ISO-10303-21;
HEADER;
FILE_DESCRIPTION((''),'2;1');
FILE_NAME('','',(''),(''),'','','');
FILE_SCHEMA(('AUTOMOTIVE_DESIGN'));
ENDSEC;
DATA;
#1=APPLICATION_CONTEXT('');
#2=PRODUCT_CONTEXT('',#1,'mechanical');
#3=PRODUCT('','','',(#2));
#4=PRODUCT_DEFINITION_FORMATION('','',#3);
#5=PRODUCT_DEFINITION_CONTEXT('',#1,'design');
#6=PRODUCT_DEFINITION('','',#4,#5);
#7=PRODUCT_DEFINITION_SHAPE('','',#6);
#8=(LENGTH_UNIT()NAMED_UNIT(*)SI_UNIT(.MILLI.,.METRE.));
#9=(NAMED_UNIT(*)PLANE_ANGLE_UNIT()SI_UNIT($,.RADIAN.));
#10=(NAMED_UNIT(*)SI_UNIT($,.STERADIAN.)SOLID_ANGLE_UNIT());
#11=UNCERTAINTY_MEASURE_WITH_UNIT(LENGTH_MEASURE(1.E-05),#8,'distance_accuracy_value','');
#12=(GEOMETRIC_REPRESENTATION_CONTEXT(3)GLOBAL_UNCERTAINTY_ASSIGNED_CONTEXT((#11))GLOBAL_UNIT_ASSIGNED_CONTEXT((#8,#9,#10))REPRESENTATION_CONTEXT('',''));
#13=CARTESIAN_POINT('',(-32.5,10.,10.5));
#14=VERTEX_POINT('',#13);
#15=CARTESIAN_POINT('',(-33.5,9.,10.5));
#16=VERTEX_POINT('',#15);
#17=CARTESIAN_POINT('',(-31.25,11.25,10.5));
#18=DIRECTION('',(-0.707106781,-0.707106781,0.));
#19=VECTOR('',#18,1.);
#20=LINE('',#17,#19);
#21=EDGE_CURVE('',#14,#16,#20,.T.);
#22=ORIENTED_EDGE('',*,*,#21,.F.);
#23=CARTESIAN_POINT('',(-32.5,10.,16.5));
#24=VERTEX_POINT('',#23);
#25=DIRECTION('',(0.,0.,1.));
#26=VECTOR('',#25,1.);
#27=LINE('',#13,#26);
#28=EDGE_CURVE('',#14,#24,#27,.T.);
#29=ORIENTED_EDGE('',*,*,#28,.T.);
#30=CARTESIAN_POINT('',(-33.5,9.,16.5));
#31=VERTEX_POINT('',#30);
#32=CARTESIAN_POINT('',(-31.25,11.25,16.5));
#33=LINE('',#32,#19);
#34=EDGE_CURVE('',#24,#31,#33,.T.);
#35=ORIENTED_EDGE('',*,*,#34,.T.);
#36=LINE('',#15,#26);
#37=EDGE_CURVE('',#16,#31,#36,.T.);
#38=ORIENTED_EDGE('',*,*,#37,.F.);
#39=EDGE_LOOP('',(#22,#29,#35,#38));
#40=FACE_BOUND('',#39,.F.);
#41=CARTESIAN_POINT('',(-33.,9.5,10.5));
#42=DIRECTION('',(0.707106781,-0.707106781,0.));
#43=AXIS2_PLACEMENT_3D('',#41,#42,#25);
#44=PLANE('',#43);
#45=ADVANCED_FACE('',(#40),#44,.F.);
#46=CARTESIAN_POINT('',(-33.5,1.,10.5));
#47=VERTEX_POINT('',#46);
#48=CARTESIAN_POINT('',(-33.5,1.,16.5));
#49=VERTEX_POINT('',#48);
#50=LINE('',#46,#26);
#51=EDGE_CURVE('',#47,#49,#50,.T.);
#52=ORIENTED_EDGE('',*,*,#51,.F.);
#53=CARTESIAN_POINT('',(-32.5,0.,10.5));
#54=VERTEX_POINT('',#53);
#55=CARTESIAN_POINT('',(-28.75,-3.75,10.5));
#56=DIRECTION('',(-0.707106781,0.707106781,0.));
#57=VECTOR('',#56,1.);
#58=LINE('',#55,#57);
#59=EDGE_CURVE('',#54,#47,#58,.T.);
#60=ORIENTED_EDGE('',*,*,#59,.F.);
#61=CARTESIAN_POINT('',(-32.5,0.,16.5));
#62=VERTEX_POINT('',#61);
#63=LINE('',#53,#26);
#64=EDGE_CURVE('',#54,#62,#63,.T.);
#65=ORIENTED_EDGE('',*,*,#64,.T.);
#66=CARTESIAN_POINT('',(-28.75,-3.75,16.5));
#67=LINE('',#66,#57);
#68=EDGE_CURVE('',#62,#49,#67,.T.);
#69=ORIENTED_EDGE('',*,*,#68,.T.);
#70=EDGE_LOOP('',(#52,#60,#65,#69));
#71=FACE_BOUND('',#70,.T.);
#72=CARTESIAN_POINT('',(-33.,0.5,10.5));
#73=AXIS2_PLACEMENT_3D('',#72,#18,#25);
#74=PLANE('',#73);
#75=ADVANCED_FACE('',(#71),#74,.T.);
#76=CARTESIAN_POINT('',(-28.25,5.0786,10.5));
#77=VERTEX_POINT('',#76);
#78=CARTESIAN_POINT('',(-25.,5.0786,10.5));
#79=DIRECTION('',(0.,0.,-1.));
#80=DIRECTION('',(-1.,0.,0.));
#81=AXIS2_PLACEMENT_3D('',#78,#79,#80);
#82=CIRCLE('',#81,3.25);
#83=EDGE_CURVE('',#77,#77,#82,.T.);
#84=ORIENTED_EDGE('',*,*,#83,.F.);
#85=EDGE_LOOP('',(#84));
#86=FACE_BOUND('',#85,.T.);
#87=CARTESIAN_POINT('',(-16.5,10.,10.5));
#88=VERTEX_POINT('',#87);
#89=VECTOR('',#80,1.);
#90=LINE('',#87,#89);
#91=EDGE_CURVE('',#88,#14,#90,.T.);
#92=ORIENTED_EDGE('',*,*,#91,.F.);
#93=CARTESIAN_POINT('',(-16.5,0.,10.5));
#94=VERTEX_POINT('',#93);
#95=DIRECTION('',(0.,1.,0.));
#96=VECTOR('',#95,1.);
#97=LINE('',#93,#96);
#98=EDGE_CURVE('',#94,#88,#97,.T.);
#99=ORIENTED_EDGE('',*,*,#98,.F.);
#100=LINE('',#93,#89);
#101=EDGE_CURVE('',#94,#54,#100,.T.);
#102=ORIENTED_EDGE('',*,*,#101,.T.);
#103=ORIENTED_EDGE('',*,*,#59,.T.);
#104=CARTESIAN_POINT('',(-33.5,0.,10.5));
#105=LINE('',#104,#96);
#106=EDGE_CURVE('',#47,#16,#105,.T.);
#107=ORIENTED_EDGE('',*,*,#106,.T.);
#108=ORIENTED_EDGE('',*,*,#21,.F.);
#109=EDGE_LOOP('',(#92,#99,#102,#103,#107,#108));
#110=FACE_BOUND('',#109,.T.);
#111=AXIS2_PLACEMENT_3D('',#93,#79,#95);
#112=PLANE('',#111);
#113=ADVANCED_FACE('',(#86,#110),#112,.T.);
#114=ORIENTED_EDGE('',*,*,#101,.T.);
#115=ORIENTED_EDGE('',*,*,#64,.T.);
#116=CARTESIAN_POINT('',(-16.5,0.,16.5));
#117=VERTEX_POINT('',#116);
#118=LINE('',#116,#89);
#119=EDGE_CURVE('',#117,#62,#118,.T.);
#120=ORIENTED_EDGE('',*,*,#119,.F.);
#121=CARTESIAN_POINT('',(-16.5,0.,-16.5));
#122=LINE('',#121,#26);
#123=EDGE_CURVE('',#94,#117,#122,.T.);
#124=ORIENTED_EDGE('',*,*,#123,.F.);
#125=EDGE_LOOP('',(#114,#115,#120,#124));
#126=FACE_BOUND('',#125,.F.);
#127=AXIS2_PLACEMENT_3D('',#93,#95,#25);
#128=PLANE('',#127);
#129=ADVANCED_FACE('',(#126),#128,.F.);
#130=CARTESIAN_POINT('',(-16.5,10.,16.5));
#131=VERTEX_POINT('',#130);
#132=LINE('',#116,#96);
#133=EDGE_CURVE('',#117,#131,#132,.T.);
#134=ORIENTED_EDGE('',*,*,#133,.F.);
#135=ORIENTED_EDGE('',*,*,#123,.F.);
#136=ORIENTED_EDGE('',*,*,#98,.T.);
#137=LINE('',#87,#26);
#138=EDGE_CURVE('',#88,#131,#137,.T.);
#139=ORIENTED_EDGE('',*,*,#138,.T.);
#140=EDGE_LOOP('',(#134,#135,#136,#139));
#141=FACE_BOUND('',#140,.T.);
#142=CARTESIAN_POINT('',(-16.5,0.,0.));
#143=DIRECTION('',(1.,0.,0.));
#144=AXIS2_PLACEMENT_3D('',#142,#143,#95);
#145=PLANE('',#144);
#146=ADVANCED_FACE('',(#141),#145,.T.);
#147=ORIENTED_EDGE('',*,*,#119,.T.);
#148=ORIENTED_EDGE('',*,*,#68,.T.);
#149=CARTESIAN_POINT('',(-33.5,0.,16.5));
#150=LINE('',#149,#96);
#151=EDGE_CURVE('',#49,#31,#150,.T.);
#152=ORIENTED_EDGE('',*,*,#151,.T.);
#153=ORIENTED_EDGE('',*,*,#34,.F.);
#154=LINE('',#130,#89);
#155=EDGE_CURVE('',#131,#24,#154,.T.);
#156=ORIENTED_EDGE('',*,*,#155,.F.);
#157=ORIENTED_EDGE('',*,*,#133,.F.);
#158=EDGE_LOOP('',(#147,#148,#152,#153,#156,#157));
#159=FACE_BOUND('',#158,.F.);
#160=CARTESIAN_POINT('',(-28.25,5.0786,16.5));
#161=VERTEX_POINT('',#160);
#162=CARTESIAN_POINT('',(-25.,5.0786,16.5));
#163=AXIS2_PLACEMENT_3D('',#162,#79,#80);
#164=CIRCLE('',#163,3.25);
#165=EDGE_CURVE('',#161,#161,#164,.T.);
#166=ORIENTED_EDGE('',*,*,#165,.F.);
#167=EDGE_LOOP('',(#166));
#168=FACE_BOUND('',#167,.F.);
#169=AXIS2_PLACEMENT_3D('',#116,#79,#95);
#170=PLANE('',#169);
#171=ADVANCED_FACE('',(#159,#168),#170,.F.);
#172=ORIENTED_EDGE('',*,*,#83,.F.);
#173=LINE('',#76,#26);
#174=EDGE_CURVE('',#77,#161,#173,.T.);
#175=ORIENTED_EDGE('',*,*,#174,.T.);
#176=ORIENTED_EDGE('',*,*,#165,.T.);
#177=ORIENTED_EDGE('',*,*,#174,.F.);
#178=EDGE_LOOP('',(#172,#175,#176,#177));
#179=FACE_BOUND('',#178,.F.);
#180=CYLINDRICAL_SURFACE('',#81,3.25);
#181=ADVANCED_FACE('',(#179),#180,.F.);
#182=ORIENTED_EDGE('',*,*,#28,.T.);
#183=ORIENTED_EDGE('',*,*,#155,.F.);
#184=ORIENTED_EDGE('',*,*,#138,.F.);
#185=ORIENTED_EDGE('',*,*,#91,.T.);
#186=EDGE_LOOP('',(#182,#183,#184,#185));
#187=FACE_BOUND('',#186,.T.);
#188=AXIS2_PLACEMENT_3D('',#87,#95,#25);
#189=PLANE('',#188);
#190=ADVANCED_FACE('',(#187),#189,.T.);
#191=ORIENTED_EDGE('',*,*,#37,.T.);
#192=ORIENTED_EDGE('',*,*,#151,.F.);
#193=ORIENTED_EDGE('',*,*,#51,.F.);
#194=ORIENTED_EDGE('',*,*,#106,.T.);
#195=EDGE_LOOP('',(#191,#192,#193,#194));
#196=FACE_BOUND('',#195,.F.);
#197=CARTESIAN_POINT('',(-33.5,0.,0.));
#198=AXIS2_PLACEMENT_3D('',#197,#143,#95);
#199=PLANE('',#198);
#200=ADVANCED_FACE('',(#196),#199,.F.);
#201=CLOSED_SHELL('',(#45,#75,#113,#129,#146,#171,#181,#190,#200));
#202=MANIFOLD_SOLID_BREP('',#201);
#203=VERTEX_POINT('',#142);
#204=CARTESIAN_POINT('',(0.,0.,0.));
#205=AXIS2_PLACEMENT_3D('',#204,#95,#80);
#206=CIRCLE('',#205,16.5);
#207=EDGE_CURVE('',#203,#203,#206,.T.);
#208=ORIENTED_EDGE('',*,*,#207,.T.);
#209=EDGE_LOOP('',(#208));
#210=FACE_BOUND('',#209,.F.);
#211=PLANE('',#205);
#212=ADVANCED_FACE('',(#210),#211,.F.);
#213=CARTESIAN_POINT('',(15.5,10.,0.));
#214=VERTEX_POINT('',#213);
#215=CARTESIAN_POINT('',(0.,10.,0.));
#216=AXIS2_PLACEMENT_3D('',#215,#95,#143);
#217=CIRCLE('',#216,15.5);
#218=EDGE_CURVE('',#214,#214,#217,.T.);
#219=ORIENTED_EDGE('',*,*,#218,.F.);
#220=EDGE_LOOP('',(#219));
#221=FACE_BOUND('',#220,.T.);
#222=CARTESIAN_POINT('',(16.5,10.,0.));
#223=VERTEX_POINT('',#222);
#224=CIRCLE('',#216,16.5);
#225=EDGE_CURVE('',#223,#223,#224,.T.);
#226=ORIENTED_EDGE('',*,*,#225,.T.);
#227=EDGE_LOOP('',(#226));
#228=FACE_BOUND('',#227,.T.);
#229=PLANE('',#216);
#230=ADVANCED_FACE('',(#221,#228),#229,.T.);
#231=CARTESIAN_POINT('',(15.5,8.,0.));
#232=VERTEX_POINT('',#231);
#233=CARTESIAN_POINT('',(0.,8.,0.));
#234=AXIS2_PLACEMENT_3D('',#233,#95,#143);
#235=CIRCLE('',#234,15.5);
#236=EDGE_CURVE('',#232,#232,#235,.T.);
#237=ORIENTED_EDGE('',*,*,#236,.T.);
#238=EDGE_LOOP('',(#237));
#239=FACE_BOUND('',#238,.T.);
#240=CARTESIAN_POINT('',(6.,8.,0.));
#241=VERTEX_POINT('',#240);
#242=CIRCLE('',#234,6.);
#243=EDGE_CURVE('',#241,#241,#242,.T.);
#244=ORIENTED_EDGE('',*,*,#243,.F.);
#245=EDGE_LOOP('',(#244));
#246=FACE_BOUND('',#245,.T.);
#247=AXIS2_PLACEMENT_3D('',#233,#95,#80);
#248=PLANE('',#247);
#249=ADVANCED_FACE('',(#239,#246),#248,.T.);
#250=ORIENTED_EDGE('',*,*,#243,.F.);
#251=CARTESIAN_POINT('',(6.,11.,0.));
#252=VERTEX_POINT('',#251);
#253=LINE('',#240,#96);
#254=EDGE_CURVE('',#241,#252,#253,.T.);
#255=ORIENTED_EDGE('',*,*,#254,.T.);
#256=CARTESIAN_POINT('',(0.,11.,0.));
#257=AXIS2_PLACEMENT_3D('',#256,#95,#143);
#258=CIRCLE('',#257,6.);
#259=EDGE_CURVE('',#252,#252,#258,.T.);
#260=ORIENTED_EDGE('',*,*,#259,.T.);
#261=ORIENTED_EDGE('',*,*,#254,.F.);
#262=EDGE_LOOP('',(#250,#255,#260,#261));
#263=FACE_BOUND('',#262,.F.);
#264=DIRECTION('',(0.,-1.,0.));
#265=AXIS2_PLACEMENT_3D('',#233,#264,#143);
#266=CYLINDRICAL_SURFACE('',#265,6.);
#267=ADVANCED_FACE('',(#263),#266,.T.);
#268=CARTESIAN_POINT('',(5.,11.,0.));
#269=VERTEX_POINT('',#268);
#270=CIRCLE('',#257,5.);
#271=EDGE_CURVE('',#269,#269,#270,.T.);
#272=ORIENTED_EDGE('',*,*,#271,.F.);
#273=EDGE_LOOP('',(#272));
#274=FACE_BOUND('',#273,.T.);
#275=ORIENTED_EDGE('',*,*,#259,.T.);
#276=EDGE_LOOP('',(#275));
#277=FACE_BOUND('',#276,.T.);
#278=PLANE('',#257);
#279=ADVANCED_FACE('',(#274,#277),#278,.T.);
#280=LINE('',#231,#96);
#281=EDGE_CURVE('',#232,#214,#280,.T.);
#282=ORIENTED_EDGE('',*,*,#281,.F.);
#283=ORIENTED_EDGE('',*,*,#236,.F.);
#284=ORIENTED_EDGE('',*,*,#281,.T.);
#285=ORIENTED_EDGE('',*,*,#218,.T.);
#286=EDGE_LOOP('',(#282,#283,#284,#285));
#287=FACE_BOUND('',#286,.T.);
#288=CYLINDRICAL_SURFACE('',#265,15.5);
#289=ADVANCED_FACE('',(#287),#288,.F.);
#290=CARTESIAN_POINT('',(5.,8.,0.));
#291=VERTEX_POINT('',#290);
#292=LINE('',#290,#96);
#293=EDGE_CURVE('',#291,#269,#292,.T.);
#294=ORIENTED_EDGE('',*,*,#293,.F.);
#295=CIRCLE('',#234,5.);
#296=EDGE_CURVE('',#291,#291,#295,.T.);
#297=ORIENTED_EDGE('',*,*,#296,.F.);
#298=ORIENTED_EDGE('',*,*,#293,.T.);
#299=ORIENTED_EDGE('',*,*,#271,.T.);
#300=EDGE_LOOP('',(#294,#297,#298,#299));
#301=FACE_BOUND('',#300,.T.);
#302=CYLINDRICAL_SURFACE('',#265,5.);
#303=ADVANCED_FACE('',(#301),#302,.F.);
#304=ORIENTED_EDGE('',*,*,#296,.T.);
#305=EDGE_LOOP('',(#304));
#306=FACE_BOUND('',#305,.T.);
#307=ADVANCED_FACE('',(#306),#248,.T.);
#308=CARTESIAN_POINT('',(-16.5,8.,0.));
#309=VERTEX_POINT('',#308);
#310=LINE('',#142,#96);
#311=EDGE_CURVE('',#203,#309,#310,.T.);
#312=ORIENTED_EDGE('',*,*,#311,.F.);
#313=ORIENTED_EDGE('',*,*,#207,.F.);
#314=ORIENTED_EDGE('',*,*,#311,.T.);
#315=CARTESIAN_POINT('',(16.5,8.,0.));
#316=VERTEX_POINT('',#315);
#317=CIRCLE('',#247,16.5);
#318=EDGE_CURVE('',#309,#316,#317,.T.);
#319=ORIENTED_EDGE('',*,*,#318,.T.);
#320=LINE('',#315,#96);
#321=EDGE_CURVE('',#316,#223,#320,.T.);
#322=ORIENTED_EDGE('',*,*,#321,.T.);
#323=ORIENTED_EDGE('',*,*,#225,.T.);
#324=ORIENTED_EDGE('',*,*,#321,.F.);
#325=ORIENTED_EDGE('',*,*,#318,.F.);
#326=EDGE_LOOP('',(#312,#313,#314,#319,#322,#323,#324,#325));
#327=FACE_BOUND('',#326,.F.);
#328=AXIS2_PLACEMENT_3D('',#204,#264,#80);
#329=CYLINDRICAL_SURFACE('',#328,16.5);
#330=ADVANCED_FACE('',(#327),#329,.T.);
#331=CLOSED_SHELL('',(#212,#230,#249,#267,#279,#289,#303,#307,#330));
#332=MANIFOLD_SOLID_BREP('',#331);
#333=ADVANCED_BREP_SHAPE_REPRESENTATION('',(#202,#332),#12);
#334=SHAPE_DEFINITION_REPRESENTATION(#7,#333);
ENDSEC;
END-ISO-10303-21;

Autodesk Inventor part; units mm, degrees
ref_plane "XZ Plane" through (0, 0, 0) normal (0, 1, 0) x (-1, 0, 0)
ref_plane "XY Plane" through (0, 0, 0) normal (0, 0, 1) x (1, 0, 0)
sketch "Sketch1" plane through (0, 0, 0) normal (0, 1, 0) x (-1, 0, 0)
  circle A0 centre (0, 0) radius 16.5
  dimension "d0" = 33
extrude "Extrusion1" add sketch "Sketch1" along normal blind 8
sketch "Sketch2" plane through (0, 8, 0) normal (0, 1, 0) x (1, 0, 0)
  circle A0 centre (0, 0) radius 16.5
  circle A1 centre (0, 0) radius 15.5
  dimension "d4" = 31
extrude "Extrusion2" add sketch "Sketch2" along normal blind 2
sketch "Sketch3" plane through (0, 8, 0) normal (0, 1, 0) x (1, 0, 0)
  circle A0 centre (0, 0) radius 5
  circle A1 centre (0, 0) radius 6
  dimension "d7" = 10
  dimension "d8" = 12
extrude "Extrusion3" add sketch "Sketch3" along normal blind 3
ref_plane "Work Plane1" through (-16.5, 0, 0) normal (1, 0, 0) x (0, 1, 0)
sketch "Sketch4" plane through (-16.5, 0, 0) normal (1, 0, 0) x (0, 1, 0)
  line L0 (0, 16.5) -> (10, 16.5) projected
  line L1 (0, -16.5) -> (0, 16.5) projected
  line L2 (10, 16.5) -> (0, 16.5)
  line L3 (0, 16.5) -> (0, 10.5)
  line L4 (0, 10.5) -> (10, 10.5)
  line L5 (10, 10.5) -> (10, 16.5)
  point P0 (0, 0)
  dimension "d12" = 6
extrude "Extrusion4" add sketch "Sketch4" against normal blind 17
chamfer "Chamfer1" distance 1 angle 45 2 edges at (-33.5, 10, 13.5) (-33.5, 0, 13.5)
sketch "Sketch5" plane through (-16.5, 0, 10.5) normal (0, 0, -1) x (-1, 0, 0)
  circle A0 centre (8.5, 5.0786) radius 3.25
  point P0 (-16.5, 0)
  dimension "d18" = 6.5
extrude "Extrusion5" cut sketch "Sketch5" against normal blind 7
properties part number "Chumacera con rodamiento 10 mm kp000"
